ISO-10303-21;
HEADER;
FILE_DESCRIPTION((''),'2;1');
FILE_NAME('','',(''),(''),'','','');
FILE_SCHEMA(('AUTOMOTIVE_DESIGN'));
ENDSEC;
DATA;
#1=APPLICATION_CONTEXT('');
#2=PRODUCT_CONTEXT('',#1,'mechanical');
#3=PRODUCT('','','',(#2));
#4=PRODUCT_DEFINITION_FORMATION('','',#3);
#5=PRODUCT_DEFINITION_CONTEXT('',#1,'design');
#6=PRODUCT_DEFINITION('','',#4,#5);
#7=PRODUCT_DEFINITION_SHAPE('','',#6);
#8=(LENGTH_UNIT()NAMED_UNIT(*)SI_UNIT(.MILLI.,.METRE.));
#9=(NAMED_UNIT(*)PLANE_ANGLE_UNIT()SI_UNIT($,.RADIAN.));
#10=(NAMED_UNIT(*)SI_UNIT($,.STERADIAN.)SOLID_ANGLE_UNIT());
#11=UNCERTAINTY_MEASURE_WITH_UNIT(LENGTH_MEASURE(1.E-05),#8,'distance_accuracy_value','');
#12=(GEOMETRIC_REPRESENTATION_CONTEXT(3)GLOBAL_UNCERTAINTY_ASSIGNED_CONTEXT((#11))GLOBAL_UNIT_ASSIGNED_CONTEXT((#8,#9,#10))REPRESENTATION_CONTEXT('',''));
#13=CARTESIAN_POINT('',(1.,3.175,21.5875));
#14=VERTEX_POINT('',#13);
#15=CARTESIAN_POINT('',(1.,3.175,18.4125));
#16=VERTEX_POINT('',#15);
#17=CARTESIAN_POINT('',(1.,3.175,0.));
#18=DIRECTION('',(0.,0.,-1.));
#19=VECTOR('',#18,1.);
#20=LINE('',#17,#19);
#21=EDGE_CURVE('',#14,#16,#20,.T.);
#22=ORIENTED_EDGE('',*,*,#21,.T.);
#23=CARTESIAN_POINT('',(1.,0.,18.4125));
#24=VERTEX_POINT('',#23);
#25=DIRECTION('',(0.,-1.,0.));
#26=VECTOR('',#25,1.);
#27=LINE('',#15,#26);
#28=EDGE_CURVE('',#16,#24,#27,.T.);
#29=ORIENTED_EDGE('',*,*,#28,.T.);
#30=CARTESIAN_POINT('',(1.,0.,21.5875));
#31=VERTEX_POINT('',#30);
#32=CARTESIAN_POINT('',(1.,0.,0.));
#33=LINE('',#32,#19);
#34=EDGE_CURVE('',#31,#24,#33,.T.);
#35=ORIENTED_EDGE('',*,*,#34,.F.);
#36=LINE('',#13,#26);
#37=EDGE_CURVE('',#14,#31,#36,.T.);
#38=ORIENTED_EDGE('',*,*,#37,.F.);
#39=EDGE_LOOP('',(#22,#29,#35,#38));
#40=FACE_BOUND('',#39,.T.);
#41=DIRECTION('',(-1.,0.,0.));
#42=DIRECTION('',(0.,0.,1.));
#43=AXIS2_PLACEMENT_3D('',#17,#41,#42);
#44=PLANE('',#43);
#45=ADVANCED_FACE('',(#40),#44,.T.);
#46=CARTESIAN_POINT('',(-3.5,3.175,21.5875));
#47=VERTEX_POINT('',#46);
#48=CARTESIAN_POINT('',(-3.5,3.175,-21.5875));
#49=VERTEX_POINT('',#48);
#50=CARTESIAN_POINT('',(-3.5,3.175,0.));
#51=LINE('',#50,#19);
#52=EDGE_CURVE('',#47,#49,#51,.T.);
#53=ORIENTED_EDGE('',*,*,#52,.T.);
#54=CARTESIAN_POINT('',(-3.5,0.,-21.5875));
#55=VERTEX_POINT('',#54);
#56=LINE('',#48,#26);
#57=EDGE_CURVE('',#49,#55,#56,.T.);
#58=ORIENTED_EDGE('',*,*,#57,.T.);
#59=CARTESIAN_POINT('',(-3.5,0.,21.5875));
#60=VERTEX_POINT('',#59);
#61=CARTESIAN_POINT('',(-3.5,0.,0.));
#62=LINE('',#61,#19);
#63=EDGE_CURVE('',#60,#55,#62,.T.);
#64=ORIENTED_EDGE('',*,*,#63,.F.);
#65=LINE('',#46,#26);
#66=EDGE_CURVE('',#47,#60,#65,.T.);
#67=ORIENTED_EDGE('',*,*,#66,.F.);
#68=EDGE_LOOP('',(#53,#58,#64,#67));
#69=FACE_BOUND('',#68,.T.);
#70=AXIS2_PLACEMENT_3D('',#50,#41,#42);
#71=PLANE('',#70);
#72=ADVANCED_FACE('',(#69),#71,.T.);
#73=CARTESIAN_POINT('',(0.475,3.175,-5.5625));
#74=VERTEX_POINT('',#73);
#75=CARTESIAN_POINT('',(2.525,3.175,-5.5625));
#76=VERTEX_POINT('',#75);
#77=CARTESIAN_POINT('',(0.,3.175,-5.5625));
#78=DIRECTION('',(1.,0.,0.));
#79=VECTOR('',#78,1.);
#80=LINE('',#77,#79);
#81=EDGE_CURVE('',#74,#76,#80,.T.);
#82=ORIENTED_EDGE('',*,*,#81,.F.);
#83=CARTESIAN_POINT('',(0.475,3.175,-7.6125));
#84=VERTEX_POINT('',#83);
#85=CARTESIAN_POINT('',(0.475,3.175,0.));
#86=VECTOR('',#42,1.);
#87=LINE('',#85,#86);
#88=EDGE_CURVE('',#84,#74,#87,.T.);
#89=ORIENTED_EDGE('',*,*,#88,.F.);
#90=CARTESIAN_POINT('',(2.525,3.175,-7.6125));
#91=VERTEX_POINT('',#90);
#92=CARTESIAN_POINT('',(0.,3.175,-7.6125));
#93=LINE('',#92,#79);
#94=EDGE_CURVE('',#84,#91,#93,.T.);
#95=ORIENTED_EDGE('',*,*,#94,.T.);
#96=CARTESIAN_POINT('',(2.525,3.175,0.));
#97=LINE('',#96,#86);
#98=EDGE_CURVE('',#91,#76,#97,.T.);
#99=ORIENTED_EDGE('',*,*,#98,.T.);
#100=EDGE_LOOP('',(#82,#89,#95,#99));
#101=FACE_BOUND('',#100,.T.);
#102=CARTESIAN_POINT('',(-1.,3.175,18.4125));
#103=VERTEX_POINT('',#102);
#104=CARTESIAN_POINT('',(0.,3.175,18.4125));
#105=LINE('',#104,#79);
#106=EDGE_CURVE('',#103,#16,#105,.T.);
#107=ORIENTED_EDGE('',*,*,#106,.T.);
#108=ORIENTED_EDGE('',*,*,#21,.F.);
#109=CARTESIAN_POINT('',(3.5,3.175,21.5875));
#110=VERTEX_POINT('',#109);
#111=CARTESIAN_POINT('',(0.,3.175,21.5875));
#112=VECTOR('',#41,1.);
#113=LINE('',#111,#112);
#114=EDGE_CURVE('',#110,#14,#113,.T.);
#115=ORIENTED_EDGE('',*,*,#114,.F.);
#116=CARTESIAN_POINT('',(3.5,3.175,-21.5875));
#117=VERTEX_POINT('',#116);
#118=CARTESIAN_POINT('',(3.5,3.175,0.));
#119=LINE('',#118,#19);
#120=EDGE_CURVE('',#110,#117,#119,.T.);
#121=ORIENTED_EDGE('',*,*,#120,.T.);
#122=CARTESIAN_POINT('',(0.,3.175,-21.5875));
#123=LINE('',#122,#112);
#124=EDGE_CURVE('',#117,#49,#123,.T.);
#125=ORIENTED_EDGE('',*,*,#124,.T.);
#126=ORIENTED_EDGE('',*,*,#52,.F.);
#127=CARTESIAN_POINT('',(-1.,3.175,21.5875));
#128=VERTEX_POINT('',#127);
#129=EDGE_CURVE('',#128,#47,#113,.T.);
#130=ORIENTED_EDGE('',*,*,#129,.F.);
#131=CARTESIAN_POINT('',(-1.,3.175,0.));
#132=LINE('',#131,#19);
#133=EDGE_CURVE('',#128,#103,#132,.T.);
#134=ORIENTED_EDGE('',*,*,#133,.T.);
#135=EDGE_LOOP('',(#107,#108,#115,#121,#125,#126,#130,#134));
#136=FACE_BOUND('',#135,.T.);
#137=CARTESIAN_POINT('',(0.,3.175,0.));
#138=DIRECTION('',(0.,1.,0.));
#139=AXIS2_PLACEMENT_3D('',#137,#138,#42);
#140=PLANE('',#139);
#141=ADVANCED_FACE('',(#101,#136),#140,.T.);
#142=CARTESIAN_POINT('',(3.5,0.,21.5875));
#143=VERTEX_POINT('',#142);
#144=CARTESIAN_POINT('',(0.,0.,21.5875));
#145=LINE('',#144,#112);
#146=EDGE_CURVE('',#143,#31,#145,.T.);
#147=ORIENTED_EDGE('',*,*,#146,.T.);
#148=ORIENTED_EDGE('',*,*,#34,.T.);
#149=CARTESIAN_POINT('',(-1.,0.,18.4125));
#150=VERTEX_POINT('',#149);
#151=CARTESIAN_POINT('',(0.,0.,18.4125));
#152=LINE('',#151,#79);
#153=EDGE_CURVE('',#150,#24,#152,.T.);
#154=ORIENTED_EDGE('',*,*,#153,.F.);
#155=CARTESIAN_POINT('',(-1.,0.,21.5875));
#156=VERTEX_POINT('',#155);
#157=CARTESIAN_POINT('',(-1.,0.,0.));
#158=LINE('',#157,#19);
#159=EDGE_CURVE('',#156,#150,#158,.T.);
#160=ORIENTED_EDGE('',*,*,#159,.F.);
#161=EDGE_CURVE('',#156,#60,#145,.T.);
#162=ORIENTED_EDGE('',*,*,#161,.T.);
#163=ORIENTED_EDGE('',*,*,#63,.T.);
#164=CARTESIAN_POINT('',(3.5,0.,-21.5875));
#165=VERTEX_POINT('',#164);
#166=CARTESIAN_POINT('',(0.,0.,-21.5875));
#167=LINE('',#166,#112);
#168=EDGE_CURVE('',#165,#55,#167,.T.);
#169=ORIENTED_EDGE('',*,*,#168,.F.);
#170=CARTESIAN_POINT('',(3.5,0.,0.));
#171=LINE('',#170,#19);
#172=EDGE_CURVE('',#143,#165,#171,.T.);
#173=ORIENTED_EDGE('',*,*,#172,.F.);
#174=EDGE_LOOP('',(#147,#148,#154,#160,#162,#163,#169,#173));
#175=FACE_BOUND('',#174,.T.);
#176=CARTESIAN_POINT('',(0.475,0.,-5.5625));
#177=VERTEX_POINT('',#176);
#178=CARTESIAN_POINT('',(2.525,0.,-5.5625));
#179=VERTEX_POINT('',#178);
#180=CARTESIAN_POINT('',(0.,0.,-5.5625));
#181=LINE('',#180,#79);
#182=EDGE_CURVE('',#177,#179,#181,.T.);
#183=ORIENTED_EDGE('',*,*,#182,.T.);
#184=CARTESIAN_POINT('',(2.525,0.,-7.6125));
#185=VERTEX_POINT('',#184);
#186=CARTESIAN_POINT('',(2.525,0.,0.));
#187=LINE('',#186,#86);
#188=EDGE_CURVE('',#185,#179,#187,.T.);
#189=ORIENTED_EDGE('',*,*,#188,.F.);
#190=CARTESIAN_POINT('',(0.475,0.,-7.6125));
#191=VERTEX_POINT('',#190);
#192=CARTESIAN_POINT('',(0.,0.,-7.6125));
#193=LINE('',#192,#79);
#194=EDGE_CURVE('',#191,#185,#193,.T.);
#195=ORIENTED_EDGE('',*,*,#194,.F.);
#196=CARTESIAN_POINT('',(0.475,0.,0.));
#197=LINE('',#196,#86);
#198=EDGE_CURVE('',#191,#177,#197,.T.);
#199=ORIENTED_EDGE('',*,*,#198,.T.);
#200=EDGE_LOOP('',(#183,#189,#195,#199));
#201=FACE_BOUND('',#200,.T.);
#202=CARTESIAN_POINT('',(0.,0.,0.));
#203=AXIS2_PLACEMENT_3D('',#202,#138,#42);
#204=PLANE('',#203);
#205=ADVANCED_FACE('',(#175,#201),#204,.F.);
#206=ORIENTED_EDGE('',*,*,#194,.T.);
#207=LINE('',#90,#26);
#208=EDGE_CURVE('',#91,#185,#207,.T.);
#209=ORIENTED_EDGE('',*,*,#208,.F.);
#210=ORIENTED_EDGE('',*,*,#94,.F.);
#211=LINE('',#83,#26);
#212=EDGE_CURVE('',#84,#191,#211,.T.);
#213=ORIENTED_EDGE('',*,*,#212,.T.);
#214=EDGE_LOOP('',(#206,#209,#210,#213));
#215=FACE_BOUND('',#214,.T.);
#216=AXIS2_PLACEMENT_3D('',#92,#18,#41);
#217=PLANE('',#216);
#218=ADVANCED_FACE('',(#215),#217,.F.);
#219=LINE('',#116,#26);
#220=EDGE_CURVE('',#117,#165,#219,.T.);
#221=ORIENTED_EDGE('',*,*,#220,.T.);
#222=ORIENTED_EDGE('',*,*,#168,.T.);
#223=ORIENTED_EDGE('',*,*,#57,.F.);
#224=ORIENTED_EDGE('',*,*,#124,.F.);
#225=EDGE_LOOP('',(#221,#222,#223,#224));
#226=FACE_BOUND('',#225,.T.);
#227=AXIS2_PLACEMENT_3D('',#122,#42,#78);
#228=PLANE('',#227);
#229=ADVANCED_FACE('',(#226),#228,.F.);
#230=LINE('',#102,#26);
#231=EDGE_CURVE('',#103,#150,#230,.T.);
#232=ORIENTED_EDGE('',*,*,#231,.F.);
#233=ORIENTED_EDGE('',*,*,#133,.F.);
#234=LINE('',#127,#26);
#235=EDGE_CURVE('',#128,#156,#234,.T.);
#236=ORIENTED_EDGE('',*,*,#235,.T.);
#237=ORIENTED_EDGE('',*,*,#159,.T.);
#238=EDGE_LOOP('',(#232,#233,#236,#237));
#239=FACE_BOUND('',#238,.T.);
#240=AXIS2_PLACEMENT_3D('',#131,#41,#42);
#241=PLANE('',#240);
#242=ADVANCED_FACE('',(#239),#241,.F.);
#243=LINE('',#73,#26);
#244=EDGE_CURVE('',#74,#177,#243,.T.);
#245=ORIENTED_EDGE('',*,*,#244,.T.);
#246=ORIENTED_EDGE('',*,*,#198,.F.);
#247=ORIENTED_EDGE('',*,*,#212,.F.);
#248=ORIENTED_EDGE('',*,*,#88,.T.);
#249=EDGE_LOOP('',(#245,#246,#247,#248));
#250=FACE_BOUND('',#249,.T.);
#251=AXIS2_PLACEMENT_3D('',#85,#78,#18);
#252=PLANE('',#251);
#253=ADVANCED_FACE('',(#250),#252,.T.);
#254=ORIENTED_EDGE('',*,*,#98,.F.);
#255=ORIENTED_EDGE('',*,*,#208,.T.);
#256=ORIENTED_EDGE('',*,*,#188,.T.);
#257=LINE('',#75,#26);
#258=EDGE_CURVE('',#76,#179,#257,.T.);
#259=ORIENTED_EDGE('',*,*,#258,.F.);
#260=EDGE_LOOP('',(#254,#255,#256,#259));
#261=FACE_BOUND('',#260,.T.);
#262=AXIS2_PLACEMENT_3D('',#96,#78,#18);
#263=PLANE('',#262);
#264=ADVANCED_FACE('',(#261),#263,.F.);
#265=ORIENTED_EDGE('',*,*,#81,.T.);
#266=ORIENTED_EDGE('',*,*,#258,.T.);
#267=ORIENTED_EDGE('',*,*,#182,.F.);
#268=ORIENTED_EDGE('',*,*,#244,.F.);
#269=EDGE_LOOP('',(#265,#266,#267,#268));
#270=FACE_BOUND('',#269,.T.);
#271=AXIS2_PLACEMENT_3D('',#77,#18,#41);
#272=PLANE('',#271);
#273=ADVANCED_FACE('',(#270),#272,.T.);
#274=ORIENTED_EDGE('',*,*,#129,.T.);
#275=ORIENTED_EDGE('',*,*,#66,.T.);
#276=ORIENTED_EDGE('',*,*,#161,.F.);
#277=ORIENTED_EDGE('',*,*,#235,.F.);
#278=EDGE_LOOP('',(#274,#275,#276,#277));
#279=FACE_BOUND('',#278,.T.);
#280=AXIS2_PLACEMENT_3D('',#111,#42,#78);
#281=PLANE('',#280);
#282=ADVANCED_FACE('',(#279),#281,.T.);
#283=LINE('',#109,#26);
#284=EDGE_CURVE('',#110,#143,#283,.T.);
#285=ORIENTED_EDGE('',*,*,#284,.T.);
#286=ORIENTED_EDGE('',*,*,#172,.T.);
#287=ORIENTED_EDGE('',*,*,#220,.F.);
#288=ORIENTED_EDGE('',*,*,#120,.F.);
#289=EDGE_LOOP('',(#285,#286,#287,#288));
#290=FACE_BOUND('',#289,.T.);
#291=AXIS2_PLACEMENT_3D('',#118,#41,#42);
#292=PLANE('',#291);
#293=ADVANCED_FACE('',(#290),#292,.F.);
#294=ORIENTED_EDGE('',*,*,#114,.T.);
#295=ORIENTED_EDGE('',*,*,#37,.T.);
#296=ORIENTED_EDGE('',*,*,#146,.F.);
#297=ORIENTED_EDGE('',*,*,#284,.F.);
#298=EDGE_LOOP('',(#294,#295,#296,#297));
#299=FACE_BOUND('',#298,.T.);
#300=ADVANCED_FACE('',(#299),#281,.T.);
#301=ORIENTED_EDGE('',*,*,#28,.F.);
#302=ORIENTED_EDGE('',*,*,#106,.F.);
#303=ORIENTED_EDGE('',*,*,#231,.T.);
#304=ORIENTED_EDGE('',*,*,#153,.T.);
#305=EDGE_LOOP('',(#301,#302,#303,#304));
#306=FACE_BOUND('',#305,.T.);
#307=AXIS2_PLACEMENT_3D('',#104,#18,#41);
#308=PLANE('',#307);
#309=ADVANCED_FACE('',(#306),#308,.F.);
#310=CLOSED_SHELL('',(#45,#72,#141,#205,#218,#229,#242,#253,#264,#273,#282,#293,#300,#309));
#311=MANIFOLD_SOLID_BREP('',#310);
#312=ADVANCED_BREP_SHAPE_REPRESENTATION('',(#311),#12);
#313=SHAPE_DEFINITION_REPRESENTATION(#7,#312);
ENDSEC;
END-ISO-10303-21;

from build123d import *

# Parameters (mm, degrees)
SKETCH1_W           = 2.05
SKETCH1_H           = 2.05
BOSS_EXTRUDE1_DEPTH = 3.175


with BuildPart() as part:
    # Sketch1 → Boss-Extrude1 (new body)
    with BuildSketch(Plane(origin=(0, 0, 0), x_dir=(1, 0, 0), z_dir=(0, 1, 0))):
        Polygon((1, -21.587500005), (3.5, -21.587500005), (3.5, 21.587500005), (-3.5, 21.587500005), (-3.5, -14.587500005), (-3.5, -17.087500005), (-3.5, -19.087500005), (-3.5, -21.587500005), (-1, -21.587500005), (-1, -18.412500005), (1, -18.412500005), align=None)
        with Locations((1.5, 6.587500005)):
            Rectangle(SKETCH1_W, SKETCH1_H, mode=Mode.SUBTRACT)
    extrude(amount=BOSS_EXTRUDE1_DEPTH)


solid = part.part
